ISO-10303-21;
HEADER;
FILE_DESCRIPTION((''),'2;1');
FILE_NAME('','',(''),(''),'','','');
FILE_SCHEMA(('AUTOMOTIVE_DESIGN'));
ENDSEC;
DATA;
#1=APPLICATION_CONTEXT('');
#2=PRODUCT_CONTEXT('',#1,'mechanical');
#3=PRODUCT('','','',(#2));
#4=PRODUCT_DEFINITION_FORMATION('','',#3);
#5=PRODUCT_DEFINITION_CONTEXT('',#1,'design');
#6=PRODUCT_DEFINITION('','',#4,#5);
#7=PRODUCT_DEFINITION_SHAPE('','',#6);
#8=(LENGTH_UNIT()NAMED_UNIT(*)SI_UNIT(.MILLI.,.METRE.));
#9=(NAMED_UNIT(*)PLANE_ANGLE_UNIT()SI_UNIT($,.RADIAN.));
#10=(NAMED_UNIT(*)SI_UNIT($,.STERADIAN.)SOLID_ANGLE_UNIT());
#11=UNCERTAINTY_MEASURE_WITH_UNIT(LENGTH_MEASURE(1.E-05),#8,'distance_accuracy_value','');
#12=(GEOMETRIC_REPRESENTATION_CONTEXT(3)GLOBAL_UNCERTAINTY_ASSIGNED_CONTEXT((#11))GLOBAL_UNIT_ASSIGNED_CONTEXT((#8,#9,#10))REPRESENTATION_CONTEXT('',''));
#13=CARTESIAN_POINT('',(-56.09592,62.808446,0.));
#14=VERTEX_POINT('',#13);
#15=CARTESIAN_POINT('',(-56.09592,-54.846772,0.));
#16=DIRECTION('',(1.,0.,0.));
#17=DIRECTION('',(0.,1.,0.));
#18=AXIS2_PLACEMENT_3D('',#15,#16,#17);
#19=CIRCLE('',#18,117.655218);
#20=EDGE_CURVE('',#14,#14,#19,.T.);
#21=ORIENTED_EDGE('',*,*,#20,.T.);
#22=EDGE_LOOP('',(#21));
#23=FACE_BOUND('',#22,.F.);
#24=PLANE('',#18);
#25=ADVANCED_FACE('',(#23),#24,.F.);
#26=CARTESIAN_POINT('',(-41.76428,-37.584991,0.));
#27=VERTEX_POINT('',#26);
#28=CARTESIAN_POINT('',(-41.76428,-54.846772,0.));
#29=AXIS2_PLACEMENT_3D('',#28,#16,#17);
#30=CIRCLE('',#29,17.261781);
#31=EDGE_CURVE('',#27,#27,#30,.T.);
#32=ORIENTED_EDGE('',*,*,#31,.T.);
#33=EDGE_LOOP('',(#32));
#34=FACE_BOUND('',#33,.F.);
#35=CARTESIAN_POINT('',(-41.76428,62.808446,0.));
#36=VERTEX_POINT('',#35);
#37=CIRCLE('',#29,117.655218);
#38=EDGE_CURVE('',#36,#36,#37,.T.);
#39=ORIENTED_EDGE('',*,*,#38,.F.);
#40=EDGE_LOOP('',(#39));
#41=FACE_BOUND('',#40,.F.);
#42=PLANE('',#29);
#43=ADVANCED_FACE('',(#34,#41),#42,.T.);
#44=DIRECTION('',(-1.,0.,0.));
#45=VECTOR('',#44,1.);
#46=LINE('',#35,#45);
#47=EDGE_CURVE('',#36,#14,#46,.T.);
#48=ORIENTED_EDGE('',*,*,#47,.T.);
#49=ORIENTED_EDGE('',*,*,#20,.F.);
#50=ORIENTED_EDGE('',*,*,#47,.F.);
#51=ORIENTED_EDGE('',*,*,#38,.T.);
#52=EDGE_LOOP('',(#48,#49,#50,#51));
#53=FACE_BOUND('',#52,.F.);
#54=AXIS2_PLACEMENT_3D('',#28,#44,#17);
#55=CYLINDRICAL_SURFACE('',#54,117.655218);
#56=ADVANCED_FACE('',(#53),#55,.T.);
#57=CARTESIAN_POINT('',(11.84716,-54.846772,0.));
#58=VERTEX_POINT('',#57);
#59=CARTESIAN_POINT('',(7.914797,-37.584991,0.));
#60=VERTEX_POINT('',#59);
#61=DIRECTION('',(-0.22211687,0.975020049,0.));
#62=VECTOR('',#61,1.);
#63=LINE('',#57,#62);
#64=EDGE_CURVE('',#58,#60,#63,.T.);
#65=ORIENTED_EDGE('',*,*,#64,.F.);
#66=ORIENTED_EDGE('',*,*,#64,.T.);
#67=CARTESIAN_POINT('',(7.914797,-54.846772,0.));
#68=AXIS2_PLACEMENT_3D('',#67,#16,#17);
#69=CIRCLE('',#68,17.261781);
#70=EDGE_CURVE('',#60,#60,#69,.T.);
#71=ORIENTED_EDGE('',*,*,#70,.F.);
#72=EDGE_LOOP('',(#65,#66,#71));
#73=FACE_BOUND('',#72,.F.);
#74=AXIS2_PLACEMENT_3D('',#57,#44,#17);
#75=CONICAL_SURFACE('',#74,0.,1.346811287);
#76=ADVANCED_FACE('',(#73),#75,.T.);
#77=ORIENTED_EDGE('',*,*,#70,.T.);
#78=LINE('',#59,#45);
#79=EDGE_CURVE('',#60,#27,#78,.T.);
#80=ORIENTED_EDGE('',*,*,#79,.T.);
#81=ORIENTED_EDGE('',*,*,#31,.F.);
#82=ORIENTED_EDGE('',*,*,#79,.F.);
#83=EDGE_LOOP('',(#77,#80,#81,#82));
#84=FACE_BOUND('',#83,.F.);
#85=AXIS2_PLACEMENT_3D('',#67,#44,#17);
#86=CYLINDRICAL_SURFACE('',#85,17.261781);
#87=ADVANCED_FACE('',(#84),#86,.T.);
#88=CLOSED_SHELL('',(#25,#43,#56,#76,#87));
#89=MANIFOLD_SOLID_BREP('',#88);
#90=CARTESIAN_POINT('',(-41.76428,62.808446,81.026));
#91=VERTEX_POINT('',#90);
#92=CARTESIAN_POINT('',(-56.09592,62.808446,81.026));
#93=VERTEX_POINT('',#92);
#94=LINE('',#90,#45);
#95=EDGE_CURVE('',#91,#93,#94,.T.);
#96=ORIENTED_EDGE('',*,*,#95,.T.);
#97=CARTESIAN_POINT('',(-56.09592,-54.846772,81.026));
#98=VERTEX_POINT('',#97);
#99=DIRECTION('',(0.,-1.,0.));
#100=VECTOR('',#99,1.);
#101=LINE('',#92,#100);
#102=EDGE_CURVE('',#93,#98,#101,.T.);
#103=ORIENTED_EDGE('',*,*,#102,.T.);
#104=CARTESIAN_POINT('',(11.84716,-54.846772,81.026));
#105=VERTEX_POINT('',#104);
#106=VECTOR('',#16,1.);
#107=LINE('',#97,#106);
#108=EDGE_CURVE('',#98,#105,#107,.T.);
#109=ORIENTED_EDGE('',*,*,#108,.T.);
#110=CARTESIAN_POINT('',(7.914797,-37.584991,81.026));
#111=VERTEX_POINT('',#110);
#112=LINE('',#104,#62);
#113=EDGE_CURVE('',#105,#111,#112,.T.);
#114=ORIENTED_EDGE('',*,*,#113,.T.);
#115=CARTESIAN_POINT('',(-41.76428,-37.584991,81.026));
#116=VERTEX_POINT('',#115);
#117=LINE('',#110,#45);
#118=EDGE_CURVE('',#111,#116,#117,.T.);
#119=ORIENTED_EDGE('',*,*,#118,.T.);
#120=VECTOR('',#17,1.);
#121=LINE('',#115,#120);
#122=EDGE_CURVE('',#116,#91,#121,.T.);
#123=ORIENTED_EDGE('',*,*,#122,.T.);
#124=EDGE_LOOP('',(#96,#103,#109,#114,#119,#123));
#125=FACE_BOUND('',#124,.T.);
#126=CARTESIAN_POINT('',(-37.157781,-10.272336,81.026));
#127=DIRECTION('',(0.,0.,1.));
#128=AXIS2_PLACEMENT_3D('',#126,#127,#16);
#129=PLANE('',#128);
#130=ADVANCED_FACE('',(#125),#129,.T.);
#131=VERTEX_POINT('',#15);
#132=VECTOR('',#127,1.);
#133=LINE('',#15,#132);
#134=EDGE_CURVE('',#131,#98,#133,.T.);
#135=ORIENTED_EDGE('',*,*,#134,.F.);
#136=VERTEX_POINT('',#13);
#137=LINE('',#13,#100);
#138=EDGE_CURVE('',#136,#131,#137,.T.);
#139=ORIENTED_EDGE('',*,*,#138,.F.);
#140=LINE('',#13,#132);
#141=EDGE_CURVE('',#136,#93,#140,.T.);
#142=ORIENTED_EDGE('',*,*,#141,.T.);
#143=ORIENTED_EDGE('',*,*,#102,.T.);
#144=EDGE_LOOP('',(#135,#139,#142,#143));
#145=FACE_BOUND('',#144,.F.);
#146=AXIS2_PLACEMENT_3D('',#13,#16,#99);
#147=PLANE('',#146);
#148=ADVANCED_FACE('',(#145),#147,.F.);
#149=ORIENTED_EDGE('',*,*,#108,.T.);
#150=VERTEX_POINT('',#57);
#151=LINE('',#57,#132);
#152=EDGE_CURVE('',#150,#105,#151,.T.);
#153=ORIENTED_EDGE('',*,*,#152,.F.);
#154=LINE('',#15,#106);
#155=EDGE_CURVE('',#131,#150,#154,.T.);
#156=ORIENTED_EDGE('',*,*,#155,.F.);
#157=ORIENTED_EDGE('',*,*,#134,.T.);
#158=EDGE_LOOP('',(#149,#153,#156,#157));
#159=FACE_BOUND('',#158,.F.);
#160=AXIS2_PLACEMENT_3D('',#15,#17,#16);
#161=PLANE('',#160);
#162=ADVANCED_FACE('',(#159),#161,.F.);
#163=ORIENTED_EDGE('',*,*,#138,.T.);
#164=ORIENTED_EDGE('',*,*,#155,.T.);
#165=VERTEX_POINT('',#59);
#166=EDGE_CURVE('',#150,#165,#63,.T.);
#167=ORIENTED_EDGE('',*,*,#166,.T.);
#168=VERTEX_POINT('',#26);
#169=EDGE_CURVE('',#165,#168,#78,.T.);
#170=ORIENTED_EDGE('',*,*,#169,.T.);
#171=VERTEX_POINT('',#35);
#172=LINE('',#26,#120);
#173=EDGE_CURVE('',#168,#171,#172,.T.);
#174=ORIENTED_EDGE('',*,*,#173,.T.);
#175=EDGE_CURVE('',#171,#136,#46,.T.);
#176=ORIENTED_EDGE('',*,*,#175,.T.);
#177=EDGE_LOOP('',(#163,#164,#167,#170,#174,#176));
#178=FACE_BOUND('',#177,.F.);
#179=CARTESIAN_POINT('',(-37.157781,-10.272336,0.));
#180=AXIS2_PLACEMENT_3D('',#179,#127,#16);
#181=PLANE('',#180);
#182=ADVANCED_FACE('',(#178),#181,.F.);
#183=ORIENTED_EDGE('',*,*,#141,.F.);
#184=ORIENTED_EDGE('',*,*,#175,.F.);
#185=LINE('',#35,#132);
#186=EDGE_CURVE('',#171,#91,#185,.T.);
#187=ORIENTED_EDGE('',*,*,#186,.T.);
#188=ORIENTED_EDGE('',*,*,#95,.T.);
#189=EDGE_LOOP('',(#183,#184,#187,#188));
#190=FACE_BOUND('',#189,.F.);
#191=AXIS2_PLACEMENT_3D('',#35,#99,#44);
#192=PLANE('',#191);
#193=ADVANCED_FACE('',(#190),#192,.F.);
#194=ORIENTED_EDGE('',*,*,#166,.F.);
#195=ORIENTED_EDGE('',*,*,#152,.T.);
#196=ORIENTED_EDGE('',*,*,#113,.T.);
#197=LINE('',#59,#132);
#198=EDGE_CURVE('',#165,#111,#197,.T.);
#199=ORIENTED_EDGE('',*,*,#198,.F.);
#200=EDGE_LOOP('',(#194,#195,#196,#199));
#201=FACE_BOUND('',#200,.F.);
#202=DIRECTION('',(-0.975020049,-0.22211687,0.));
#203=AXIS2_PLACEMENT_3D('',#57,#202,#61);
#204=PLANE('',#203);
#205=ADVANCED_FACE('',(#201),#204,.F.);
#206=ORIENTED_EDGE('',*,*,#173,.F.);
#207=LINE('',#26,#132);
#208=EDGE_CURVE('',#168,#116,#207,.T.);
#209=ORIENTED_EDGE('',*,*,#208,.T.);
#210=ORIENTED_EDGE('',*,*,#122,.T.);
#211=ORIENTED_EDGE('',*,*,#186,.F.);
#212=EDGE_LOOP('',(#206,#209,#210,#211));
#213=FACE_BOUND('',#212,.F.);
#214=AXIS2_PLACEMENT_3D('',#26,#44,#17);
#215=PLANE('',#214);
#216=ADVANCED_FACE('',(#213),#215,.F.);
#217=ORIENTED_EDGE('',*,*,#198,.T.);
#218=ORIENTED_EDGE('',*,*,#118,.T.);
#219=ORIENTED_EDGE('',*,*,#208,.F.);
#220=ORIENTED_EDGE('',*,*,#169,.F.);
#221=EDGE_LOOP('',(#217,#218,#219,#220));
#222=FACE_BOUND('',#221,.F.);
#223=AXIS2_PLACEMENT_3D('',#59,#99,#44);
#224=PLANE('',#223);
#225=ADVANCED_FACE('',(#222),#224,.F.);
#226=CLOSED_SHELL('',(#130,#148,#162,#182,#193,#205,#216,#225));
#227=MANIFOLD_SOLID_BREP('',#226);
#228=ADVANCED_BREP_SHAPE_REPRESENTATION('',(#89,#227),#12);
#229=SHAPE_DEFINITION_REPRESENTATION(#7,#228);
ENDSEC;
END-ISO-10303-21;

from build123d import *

# Parameters (mm, degrees)
F1_DEPTH = 81.026


with BuildPart() as f1:
    # F0 (on Top) → F1 (new body)
    with BuildSketch(Plane.XY):
        Polygon((-41.76428, 62.808446), (-56.09592, 62.808446), (-56.09592, -54.846772), (11.84716, -54.846772), (7.914797, -37.584991), (-41.76428, -37.584991), align=None)
    extrude(amount=F1_DEPTH)


with BuildPart() as f2:
    # F0 (on Top) → F2 (revolve)
    with BuildSketch(Plane.XY):
        Polygon((-41.76428, 62.808446), (-56.09592, 62.808446), (-56.09592, -54.846772), (11.84716, -54.846772), (7.914797, -37.584991), (-41.76428, -37.584991), align=None)
    revolve(axis=Axis((-22.12438, -54.846772, 0), (1, 0, 0)))


solid = Compound([f1.part, f2.part])
